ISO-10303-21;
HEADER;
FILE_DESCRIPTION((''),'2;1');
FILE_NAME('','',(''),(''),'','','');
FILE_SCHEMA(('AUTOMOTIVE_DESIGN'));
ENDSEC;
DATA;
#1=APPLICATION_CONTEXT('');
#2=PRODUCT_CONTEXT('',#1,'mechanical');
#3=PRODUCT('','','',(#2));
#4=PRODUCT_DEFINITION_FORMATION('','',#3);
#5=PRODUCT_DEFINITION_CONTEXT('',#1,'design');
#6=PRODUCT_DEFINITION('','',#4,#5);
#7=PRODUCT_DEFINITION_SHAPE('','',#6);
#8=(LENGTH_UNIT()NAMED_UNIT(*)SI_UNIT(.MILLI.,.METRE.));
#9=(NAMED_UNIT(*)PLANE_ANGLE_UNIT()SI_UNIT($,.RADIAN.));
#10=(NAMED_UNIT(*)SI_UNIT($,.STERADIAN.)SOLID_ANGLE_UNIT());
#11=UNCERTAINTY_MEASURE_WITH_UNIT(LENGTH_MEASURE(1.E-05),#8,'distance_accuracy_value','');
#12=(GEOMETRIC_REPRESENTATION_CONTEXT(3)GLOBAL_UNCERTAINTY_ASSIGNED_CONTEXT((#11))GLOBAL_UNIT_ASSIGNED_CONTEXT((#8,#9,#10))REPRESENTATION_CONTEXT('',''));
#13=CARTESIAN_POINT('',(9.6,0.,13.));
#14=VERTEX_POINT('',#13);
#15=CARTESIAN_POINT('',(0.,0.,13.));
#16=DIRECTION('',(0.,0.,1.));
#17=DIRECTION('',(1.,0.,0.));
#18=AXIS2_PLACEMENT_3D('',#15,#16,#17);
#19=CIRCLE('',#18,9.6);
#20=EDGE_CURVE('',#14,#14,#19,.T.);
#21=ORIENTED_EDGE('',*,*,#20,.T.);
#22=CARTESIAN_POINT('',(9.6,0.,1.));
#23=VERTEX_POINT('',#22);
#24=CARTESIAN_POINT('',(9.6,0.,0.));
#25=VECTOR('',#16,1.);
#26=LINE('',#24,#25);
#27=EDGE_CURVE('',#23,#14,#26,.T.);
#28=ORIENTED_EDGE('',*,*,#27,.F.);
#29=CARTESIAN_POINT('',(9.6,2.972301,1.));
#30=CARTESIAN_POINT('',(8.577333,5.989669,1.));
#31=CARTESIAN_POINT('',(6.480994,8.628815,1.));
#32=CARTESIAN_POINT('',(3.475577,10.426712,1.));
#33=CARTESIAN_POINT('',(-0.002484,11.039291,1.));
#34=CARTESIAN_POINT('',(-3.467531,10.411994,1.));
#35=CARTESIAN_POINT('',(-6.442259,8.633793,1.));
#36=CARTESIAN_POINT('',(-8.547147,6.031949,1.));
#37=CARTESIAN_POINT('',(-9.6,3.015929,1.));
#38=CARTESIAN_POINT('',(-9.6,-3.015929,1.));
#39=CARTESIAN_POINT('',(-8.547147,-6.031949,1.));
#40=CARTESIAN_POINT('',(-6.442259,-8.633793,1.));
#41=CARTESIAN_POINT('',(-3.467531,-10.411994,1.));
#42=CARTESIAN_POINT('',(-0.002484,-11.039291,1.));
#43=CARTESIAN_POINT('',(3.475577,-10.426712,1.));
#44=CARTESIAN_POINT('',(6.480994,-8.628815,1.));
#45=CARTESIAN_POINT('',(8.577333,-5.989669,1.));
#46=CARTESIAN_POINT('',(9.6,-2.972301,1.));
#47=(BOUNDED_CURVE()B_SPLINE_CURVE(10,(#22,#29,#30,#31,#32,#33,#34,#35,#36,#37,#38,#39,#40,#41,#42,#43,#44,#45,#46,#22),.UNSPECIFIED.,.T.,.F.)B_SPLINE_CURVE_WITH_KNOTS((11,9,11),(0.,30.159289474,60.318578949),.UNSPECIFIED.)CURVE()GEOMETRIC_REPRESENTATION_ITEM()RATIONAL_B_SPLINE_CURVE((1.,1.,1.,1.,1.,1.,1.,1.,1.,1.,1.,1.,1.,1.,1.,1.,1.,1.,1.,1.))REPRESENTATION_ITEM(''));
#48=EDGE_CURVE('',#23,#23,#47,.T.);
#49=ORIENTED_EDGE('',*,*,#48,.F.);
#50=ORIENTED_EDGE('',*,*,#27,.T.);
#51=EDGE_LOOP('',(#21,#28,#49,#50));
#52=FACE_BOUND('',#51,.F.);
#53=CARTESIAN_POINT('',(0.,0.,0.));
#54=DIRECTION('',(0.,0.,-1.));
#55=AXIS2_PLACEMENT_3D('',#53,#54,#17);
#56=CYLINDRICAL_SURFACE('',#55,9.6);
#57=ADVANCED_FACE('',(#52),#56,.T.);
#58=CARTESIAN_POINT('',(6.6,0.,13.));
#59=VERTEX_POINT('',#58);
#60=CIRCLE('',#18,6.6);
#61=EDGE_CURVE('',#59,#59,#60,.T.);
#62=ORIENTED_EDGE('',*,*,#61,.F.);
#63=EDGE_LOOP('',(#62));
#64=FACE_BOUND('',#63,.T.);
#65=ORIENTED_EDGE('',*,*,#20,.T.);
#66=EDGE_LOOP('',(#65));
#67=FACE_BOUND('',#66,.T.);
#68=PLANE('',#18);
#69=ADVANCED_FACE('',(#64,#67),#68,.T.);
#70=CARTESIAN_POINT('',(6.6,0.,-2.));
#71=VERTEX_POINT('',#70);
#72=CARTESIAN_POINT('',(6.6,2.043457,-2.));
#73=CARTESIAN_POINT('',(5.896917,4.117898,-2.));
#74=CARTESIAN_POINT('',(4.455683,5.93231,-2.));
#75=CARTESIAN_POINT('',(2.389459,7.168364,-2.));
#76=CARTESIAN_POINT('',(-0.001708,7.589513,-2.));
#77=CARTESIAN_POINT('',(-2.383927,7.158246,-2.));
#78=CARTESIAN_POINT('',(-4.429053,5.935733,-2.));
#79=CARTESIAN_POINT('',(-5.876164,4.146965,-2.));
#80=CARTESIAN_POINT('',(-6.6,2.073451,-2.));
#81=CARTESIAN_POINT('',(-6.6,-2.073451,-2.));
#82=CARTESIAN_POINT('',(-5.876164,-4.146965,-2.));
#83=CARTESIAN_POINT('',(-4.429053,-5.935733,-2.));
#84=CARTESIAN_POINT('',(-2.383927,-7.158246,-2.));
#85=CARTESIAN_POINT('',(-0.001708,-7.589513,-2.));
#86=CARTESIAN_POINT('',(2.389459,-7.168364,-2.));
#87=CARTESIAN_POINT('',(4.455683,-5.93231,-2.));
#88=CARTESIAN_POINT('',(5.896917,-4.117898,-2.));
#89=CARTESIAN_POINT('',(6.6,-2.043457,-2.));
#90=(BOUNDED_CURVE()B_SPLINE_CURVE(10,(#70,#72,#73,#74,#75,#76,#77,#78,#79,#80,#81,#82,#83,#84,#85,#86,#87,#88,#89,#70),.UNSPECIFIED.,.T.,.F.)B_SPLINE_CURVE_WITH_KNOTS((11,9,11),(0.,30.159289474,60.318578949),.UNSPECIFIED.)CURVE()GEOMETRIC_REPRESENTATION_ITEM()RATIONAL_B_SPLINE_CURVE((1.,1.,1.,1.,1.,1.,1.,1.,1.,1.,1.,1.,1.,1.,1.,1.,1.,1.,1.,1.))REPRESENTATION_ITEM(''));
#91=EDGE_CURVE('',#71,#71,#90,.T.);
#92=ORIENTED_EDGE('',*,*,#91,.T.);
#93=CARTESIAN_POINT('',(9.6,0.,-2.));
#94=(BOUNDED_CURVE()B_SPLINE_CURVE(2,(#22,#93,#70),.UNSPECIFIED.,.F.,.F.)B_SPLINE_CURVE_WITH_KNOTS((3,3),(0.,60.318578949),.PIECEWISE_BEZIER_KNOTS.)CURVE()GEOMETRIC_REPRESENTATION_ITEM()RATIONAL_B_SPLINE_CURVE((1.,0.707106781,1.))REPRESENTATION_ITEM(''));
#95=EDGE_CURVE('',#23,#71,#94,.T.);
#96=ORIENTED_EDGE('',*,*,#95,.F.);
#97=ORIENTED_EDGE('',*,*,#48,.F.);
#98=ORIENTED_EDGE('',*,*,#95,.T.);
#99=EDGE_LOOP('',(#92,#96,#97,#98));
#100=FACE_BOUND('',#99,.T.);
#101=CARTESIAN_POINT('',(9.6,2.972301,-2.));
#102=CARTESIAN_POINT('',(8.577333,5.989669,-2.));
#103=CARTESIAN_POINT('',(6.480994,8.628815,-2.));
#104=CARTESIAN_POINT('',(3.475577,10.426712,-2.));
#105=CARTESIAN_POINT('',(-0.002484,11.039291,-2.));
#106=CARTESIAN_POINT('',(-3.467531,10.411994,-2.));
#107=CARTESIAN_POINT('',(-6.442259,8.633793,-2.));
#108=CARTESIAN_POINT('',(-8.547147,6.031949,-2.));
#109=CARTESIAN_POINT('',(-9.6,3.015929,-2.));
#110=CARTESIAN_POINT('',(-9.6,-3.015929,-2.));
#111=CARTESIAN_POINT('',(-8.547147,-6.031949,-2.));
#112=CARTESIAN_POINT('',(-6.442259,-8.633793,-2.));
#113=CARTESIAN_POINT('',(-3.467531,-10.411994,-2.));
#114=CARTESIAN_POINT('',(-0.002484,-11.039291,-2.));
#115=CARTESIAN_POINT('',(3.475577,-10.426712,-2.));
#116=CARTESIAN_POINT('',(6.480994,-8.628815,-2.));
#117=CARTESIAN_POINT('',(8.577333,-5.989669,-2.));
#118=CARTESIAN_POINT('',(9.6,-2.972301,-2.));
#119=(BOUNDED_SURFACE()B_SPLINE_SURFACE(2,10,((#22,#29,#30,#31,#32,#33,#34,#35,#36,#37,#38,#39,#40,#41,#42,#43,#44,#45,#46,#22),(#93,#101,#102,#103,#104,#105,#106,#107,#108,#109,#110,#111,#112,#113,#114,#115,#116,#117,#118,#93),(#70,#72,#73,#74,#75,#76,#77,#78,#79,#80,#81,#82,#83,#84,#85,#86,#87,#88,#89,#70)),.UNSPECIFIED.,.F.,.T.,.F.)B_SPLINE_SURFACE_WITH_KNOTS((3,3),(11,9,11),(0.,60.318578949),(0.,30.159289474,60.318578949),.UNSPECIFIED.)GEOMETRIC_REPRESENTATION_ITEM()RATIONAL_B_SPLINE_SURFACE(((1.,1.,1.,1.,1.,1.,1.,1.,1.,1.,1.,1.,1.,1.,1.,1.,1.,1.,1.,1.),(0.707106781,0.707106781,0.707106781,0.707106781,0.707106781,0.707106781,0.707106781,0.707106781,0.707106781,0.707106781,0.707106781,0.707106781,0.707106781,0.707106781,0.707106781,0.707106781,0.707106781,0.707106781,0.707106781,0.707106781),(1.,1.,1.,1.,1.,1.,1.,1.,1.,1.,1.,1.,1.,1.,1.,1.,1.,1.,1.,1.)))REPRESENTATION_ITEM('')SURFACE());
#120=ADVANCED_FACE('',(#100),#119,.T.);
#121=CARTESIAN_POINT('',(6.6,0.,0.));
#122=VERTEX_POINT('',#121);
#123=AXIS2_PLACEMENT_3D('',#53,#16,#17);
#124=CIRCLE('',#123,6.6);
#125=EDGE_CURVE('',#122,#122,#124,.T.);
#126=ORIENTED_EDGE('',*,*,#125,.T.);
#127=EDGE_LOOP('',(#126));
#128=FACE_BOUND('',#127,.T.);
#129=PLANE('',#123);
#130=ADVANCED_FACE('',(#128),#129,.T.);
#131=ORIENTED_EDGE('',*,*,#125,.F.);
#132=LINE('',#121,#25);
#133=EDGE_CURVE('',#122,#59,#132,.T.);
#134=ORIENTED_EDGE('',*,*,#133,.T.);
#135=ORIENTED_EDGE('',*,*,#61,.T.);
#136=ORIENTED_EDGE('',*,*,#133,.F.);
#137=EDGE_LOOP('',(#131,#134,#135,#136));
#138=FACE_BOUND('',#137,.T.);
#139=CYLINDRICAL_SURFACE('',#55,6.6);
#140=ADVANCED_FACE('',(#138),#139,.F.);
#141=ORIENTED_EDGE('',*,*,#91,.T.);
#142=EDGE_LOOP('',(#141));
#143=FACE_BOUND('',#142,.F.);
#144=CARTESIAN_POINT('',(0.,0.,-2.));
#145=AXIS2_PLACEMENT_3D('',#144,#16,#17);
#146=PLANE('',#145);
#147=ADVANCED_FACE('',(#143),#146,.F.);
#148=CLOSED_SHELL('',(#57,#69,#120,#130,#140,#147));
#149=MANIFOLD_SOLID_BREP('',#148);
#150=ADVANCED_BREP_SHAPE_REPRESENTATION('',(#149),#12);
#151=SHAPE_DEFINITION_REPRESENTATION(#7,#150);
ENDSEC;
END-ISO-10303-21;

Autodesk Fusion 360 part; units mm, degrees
sketch "Sketch1" plane through (0, 0, 0) normal (0, 0, 1) x (1, 0, 0)
  circle A0 centre (0, 0) radius 6.6
  circle A1 centre (0, 0) radius 9.6
  dimension "d1" = 3
  dimension "d2" = 13.2
extrude "Extrude1" add sketch "Sketch1" along normal blind 13
extrude "Extrude2" add sketch "Sketch1" against normal blind 2 contours A0 | A1
fillet "Fillet1" radius 3 1 edges at (-8.9503, 3.4715, -2)
